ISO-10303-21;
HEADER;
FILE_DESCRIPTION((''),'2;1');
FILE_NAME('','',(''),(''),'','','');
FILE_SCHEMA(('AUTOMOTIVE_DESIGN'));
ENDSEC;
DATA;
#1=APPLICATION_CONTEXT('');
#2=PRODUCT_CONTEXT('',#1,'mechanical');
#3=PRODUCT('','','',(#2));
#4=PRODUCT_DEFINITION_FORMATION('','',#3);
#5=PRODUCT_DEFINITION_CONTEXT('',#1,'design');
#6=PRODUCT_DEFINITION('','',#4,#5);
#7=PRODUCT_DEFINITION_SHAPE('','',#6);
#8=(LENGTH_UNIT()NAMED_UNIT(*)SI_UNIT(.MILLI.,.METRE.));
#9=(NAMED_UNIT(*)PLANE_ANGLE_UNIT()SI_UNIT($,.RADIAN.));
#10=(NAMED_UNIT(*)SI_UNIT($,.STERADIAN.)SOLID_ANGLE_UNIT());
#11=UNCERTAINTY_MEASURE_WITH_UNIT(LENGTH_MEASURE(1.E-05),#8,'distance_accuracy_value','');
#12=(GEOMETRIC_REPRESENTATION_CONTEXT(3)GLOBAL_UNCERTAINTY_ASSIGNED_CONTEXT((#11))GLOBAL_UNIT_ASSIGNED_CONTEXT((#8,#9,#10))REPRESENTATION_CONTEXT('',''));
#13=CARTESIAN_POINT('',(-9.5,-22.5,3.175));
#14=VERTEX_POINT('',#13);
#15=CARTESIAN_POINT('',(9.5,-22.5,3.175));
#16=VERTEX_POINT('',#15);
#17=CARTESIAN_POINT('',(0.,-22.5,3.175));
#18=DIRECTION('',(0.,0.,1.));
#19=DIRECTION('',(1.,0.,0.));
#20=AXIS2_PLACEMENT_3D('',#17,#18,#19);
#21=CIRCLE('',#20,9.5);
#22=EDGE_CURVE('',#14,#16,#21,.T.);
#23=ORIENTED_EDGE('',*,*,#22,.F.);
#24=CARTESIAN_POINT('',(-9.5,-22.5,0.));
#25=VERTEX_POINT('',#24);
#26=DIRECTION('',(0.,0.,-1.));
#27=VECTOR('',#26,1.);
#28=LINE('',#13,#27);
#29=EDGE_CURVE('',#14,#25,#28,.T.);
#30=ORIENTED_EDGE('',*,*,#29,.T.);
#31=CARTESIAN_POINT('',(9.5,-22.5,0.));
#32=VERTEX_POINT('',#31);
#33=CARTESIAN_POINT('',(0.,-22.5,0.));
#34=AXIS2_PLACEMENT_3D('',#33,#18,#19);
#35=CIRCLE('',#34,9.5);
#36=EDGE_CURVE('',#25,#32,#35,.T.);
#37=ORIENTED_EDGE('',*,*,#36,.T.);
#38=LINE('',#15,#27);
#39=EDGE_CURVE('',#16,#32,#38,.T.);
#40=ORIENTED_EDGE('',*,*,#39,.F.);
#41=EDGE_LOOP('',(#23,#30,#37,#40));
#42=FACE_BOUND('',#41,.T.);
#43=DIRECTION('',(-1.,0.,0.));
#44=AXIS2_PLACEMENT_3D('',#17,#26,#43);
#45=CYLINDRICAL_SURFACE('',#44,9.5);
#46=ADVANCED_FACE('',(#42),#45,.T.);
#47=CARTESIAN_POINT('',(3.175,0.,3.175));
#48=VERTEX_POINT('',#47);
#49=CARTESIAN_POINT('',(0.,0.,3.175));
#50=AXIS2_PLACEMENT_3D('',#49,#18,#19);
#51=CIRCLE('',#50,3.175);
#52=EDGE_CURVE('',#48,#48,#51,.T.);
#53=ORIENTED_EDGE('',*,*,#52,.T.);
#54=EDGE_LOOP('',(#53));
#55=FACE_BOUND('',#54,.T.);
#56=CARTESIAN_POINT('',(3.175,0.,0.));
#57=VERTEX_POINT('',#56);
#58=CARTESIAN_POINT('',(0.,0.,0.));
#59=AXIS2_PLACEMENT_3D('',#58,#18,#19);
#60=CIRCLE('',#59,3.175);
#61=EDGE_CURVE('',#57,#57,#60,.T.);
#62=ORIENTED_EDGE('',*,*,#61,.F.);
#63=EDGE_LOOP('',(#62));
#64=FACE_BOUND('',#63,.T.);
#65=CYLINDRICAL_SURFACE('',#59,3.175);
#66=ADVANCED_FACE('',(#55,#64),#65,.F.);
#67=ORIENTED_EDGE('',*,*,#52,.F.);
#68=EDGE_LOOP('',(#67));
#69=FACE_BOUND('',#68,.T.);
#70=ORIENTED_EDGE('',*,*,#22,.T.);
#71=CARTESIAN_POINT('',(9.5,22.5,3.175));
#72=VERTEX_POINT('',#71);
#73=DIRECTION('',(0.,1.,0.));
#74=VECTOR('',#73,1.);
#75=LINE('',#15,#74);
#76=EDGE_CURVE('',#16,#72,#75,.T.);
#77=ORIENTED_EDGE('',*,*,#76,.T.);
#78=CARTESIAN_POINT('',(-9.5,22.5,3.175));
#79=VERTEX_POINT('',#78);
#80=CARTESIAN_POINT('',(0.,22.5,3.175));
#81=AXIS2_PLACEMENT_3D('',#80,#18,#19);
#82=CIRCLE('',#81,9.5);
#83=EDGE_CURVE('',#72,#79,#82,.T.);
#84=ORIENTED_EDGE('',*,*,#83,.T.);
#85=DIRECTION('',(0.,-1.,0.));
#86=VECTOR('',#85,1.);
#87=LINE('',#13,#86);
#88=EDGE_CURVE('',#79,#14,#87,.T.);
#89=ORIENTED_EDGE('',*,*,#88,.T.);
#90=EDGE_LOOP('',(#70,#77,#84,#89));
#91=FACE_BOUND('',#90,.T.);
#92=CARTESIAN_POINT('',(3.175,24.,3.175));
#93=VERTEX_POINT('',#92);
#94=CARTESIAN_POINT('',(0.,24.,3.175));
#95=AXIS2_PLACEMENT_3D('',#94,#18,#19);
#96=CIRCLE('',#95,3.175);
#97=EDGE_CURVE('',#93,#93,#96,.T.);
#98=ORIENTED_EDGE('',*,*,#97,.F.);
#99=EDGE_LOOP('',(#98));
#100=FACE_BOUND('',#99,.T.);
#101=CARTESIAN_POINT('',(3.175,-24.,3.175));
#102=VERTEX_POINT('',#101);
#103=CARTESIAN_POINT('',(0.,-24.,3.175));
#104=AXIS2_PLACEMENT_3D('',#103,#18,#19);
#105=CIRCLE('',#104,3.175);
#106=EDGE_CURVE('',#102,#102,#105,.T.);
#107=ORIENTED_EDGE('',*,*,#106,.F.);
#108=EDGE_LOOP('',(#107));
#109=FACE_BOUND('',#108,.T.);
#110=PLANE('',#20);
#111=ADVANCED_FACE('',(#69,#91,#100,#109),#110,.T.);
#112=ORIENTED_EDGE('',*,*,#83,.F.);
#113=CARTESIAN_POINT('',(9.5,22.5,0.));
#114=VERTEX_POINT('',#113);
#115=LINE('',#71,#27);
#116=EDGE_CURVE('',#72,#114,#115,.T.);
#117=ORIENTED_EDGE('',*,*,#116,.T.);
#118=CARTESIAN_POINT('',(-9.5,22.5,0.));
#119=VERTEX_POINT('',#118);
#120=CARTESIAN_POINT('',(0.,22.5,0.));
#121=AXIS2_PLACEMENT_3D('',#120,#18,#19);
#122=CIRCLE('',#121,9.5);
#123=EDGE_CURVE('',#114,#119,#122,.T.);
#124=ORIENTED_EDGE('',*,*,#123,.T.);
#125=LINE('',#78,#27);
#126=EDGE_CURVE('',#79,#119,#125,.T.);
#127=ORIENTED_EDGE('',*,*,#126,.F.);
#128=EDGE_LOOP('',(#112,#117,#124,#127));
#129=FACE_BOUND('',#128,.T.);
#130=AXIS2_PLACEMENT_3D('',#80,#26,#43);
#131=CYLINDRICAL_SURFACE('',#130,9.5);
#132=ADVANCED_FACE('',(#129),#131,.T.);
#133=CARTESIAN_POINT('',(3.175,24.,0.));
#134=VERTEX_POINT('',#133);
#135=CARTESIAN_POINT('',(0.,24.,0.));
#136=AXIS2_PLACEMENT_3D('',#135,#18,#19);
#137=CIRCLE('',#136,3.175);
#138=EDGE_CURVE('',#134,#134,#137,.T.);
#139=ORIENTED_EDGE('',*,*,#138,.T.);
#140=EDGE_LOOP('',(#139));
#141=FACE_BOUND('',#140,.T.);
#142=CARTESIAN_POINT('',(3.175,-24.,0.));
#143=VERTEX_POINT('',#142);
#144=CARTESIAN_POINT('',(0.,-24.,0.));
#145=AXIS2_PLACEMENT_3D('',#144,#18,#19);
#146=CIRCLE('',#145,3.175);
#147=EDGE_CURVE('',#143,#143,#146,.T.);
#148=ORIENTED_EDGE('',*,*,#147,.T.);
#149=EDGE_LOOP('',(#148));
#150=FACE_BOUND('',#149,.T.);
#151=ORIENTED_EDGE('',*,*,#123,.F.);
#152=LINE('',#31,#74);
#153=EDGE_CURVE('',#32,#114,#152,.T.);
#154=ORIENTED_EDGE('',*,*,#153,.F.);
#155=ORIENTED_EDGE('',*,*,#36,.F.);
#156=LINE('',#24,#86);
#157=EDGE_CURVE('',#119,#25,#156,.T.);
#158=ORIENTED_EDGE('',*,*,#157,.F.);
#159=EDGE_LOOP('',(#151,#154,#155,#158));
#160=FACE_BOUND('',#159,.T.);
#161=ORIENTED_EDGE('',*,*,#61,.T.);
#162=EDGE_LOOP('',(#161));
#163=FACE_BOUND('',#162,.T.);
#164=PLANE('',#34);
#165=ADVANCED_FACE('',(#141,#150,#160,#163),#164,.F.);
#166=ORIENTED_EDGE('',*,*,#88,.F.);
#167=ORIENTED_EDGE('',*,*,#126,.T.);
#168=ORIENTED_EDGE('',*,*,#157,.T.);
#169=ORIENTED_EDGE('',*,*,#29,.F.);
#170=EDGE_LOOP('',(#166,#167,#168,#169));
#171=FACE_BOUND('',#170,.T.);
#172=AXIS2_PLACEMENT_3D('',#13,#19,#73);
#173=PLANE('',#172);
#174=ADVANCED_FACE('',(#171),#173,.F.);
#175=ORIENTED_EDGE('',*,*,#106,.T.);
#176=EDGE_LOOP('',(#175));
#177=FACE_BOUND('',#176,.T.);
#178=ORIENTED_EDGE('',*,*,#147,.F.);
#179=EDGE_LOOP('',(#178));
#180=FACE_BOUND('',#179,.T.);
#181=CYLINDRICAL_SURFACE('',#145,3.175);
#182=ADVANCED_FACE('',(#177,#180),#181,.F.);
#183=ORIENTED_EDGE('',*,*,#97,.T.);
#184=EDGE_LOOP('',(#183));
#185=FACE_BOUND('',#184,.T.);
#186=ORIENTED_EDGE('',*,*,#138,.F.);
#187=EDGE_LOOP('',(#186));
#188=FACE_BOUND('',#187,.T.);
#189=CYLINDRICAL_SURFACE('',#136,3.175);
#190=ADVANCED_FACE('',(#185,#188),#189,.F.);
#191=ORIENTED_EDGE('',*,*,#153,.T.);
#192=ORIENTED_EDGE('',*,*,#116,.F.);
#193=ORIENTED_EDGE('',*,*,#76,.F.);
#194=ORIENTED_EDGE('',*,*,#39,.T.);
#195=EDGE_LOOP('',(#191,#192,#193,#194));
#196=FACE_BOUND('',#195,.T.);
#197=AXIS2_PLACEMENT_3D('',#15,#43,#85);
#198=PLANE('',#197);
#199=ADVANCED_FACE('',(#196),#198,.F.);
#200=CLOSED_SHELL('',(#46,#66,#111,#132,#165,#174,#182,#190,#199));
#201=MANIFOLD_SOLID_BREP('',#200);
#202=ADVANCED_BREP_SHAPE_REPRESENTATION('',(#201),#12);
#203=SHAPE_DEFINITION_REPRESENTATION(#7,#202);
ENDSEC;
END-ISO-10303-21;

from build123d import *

# Parameters (mm, degrees)
BOSS_EXTRUDE1_DEPTH = 3.175
SKETCH2_R           = 3.175
CUT_EXTRUDE1_DEPTH  = 34.531039724
LPATTERN1_COUNT     = 2
LPATTERN1_PITCH     = 24
LPATTERN1_COL_COUNT = 2
LPATTERN1_COL_PITCH = 24


with BuildPart() as part:
    # Sketch1 → Boss-Extrude1 (new body)
    with BuildSketch(Plane.XY):
        with BuildLine():
            Line((-9.5, -22.5), (-9.5, 22.5))
            ThreePointArc((-9.5, 22.5), (0, 32), (9.5, 22.5))
            Line((9.5, 22.5), (9.5, -22.5))
            ThreePointArc((9.5, -22.5), (0, -32), (-9.5, -22.5))
        make_face()
    extrude(amount=BOSS_EXTRUDE1_DEPTH)

    # Sketch2 → Cut-Extrude1 (cut, through all)
    with BuildSketch(Plane.XY.offset(3.175)):
        Circle(SKETCH2_R)
    cut_extrude1 = extrude(amount=-CUT_EXTRUDE1_DEPTH, mode=Mode.SUBTRACT)

    # LPattern1: Cut-Extrude1 ×2
    with Locations(*[(0, i * LPATTERN1_PITCH, 0) for i in range(1, LPATTERN1_COUNT)]):
        add(cut_extrude1, mode=Mode.SUBTRACT)

    # LPattern1 col: Cut-Extrude1 ×2
    with Locations(*[(0, -i * LPATTERN1_COL_PITCH, 0) for i in range(1, LPATTERN1_COL_COUNT)]):
        add(cut_extrude1, mode=Mode.SUBTRACT)


solid = part.part
